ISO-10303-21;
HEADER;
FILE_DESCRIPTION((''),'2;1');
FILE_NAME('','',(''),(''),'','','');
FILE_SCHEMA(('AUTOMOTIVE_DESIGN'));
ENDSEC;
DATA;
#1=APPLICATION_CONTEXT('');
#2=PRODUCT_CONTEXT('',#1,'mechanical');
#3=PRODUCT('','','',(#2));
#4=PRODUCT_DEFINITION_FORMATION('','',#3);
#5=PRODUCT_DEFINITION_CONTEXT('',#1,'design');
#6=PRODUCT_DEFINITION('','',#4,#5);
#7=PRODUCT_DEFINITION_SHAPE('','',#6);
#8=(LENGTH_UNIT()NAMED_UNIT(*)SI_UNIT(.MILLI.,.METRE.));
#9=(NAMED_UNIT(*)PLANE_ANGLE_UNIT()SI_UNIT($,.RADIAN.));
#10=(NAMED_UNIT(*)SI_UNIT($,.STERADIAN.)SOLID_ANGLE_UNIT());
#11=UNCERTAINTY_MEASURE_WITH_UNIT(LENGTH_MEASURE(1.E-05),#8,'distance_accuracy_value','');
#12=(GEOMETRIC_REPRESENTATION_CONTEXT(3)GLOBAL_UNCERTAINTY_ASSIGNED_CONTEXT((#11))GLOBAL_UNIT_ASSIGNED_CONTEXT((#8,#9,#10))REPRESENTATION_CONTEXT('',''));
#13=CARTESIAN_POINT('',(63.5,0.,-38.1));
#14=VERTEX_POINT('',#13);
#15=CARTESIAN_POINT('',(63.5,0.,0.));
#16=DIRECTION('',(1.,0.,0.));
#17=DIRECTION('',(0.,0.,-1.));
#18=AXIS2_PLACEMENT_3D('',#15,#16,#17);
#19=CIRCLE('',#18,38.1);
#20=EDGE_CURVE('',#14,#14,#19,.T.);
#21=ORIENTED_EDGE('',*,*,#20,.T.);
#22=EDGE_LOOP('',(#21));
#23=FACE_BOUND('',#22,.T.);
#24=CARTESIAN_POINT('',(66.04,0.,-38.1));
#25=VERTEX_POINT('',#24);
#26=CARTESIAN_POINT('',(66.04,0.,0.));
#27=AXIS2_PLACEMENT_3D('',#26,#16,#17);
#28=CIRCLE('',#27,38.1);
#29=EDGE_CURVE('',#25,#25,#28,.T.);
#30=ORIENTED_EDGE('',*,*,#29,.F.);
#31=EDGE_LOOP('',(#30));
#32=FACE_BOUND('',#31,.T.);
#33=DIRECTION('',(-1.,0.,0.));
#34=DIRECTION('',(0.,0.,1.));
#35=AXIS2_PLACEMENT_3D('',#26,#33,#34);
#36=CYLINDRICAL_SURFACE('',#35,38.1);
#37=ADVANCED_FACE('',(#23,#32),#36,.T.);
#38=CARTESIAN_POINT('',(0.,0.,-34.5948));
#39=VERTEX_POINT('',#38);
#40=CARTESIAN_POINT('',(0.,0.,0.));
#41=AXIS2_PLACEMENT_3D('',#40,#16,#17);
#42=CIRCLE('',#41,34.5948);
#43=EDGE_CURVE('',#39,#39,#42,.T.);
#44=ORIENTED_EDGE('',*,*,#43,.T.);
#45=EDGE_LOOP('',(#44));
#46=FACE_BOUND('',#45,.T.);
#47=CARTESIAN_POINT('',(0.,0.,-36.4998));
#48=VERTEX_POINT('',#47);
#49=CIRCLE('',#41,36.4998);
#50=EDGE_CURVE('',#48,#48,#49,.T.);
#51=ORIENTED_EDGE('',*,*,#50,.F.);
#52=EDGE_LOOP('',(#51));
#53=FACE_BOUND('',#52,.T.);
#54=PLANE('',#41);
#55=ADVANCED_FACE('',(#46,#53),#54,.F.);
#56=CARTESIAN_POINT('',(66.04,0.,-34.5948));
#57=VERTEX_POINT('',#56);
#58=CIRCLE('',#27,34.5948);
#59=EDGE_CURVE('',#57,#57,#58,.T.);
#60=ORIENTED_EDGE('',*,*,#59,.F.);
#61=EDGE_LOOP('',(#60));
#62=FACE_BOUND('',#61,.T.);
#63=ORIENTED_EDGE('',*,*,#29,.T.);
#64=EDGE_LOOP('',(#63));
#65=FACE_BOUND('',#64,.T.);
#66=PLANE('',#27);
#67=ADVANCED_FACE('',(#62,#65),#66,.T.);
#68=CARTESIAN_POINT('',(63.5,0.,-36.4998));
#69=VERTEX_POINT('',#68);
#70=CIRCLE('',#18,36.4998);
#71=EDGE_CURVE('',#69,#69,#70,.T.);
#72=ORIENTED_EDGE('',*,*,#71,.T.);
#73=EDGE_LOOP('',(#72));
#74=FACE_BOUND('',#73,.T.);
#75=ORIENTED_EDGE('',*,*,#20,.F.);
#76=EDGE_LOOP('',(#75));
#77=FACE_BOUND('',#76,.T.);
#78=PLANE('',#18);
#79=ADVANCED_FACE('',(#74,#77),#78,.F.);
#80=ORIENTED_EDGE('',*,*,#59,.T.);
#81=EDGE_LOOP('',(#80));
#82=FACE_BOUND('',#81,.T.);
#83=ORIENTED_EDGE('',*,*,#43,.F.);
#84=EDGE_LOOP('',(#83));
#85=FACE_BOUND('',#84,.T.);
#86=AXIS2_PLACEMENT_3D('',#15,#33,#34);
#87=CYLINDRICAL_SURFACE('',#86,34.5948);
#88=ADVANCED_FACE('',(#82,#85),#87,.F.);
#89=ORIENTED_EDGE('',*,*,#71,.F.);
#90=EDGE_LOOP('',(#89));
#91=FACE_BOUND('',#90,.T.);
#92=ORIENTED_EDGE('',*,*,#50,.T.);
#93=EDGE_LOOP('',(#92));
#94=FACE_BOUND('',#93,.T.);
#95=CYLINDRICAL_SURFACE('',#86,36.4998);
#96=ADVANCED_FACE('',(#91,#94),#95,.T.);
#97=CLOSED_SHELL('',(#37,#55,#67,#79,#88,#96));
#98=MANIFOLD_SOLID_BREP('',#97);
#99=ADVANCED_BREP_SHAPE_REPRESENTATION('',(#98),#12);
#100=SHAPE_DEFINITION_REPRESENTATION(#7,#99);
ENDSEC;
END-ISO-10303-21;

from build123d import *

# Parameters (mm, degrees)
SKETCH1_R           = 36.4998
SKETCH1_R_2         = 34.5948
BOSS_EXTRUDE1_DEPTH = 63.5
SKETCH2_R           = 38.1
SKETCH2_R_2         = 34.5948
BOSS_EXTRUDE2_DEPTH = 2.54


with BuildPart() as part:
    # Sketch1 → Boss-Extrude1 (new body)
    with BuildSketch(Plane.YZ):
        with Locations(Location((0, 0, 0), (0, 0, 270))):
            Circle(SKETCH1_R)
        with Locations(Location((0, 0, 0), (0, 0, 270))):
            Circle(SKETCH1_R_2, mode=Mode.SUBTRACT)
    extrude(amount=BOSS_EXTRUDE1_DEPTH)

    # Sketch2 → Boss-Extrude2 (add)
    with BuildSketch(Plane.YZ.offset(63.5)):
        with Locations(Location((0, 0, 0), (0, 0, 270))):
            Circle(SKETCH2_R)
        with Locations(Location((0, 0, 0), (0, 0, 270))):
            Circle(SKETCH2_R_2, mode=Mode.SUBTRACT)
    extrude(amount=BOSS_EXTRUDE2_DEPTH)


solid = part.part
